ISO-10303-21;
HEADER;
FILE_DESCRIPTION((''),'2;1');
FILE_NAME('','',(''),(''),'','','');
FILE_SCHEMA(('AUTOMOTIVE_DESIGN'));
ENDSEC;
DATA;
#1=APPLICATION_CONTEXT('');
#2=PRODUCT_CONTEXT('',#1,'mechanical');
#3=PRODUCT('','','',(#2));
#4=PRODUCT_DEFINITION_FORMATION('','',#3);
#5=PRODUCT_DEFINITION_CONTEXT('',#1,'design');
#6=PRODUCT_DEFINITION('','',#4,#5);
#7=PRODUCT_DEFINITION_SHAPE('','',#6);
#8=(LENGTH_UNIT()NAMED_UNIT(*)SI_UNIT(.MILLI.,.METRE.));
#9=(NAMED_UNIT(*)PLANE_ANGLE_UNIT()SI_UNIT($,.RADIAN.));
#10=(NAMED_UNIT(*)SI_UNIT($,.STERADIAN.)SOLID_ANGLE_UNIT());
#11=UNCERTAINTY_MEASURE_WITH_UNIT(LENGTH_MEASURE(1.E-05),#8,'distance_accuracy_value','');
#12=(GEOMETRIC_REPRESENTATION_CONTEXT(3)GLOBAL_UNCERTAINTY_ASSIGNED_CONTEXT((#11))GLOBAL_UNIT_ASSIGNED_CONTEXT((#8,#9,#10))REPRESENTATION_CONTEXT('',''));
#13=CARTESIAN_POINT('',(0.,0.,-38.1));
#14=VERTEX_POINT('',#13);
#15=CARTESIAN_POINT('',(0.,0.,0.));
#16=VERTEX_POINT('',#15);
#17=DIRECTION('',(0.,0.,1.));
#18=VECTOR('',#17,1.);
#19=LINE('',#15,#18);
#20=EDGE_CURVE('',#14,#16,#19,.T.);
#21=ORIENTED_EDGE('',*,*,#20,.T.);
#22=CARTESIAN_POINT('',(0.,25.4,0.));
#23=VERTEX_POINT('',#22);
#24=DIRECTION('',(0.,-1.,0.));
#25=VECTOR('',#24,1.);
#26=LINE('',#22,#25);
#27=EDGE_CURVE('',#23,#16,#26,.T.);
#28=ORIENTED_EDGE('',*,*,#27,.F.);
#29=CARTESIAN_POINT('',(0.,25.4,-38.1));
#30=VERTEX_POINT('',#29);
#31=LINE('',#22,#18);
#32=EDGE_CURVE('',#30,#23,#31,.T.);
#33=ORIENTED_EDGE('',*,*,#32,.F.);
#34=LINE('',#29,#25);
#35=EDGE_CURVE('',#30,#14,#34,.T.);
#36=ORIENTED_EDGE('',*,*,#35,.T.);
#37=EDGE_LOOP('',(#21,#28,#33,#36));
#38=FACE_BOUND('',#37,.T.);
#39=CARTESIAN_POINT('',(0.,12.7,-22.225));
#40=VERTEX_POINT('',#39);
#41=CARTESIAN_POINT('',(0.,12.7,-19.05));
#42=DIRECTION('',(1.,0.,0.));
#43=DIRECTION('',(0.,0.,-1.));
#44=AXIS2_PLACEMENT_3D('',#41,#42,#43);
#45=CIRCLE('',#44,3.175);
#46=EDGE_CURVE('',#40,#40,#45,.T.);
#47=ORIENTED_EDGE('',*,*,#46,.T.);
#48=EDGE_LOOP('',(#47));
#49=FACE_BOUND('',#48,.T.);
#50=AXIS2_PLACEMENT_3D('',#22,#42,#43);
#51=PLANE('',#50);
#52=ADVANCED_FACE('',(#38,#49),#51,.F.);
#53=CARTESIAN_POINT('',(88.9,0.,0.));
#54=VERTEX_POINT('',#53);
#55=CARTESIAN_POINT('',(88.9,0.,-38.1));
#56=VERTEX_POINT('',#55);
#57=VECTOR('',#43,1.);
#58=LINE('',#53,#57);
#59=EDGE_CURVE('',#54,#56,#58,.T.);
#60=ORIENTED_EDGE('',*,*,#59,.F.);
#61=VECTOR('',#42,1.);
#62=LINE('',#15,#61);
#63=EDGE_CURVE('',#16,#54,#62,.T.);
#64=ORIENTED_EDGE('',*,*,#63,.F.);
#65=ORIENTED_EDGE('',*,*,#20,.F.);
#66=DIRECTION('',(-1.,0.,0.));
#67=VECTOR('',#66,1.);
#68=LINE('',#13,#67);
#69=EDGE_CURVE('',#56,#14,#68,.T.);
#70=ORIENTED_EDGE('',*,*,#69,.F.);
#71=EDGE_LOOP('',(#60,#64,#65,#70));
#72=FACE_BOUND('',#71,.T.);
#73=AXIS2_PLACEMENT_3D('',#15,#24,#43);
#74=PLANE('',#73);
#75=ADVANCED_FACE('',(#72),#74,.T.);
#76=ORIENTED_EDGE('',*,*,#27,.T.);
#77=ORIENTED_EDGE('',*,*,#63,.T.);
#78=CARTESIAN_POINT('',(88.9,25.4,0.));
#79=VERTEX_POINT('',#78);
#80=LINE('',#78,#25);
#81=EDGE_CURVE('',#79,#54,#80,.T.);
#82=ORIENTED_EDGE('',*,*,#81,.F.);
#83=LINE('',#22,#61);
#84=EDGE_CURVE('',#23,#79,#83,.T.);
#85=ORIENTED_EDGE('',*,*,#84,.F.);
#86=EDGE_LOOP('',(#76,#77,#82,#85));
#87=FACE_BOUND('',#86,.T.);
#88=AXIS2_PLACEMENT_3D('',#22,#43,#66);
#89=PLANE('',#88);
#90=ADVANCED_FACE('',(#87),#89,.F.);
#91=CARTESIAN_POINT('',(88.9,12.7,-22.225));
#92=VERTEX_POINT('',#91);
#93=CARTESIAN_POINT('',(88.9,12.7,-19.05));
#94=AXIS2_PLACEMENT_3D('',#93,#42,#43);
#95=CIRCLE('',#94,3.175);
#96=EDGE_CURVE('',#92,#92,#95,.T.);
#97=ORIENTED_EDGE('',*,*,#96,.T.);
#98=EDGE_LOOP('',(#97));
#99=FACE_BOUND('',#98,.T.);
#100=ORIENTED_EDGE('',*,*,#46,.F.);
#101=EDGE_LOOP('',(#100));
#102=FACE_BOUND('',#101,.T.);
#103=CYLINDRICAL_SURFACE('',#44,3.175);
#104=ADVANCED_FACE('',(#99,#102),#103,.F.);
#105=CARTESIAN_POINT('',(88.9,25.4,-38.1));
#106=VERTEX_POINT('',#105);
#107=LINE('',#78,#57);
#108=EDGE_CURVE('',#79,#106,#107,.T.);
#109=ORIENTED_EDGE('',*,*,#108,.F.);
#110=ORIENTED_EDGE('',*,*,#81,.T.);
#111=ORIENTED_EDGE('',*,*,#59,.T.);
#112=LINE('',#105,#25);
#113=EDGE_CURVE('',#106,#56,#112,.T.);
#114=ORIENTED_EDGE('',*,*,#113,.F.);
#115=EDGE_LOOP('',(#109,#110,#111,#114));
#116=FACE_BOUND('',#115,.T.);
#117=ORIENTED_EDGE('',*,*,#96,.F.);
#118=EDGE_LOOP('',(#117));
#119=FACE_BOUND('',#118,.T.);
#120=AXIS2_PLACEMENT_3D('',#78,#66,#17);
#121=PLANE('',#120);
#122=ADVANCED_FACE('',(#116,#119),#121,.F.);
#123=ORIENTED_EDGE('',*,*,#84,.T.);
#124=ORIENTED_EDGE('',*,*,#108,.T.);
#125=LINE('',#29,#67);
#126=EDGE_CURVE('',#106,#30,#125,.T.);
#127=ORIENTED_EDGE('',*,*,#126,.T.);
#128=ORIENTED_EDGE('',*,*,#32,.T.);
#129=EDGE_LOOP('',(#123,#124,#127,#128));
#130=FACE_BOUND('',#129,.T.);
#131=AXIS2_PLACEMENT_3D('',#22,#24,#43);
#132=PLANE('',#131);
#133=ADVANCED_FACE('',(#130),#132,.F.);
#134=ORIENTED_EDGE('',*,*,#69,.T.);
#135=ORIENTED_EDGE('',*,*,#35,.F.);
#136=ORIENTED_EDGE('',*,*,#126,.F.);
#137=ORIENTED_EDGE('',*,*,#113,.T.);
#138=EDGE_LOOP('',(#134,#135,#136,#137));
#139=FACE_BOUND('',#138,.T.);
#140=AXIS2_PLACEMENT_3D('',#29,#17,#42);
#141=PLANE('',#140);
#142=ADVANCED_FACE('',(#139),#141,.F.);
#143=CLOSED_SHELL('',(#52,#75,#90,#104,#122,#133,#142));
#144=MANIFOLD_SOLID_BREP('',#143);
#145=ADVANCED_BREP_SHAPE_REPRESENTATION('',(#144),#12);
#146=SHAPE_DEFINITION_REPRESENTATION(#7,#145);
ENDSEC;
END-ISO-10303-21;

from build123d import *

# Parameters (mm, degrees)
SKETCH1_W           = 88.9
SKETCH1_H           = 38.1
BOSS_EXTRUDE1_DEPTH = 25.4
SKETCH2_R           = 3.175
CUT_EXTRUDE1_DEPTH  = 100.9999


with BuildPart() as part:
    # Sketch1 → Boss-Extrude1 (new body)
    with BuildSketch(Plane(origin=(0, 0, 0), x_dir=(1, 0, 0), z_dir=(0, 1, 0))):
        with Locations((44.45, 19.05)):
            Rectangle(SKETCH1_W, SKETCH1_H)
    extrude(amount=BOSS_EXTRUDE1_DEPTH)

    # Sketch2 → Cut-Extrude1 (cut, through all)
    with BuildSketch(Plane(origin=(88.9, 0, 0), x_dir=(0, 0, -1), z_dir=(1, 0, 0))):
        with Locations((19.05, 12.7)):
            Circle(SKETCH2_R)
    extrude(amount=-CUT_EXTRUDE1_DEPTH, mode=Mode.SUBTRACT)


solid = part.part
